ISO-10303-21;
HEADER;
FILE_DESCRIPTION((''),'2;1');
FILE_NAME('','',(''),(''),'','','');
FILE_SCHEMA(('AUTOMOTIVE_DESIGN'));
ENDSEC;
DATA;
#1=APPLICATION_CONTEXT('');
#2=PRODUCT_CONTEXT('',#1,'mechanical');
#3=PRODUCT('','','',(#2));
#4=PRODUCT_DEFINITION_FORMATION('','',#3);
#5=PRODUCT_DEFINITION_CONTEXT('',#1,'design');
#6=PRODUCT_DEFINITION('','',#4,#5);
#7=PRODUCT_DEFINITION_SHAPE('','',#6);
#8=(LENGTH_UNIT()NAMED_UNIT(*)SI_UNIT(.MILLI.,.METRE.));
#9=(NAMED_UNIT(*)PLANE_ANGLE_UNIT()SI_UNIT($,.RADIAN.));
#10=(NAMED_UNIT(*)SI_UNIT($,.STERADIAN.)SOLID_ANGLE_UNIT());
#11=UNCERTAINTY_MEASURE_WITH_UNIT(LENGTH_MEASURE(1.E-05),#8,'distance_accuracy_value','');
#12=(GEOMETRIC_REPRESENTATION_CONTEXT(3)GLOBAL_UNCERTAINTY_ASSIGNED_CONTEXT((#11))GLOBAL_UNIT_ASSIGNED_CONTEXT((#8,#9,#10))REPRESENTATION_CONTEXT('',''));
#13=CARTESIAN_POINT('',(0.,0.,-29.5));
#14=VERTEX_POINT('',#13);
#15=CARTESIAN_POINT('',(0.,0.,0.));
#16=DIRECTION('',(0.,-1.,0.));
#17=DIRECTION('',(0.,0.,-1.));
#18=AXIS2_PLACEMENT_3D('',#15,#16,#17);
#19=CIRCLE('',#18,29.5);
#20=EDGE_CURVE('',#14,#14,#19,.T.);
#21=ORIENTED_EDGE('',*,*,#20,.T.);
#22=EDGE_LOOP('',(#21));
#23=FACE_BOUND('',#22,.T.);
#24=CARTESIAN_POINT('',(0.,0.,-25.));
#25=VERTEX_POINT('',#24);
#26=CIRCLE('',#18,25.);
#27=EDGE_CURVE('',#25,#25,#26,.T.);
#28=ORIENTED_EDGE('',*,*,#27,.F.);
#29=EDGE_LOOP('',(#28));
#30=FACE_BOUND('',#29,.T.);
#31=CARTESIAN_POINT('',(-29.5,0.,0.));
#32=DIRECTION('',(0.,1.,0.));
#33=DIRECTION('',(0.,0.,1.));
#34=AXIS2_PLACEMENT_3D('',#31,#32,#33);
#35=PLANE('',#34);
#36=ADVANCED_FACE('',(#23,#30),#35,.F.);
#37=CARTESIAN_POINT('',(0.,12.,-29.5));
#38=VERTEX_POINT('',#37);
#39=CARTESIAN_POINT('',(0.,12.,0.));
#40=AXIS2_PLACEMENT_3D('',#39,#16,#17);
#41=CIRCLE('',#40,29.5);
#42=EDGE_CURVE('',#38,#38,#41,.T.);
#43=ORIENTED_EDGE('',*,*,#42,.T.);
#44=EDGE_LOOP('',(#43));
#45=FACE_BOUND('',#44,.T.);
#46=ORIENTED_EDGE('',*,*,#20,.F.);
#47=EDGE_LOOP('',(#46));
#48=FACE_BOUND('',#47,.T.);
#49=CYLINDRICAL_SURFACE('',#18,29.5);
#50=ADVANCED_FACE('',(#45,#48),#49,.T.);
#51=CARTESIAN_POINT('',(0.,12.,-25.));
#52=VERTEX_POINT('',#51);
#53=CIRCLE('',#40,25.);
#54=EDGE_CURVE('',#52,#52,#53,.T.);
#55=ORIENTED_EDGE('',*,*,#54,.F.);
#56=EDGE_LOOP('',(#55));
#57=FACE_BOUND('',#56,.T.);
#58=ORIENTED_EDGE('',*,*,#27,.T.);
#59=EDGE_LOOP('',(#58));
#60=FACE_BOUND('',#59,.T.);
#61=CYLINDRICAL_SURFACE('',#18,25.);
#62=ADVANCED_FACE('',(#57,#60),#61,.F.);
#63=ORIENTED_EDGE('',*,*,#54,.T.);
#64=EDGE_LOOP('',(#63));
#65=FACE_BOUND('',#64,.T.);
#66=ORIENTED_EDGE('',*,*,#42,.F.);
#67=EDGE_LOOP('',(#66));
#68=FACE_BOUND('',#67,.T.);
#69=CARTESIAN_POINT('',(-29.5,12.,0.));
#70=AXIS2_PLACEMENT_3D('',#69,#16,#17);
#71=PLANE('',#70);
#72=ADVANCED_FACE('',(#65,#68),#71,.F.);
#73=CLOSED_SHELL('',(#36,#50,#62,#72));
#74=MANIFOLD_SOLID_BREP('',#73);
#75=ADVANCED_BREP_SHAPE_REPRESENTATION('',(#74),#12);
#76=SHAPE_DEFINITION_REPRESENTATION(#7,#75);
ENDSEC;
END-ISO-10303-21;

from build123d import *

# Parameters (mm, degrees)
SKETCH_1_W = 4.5
SKETCH_1_H = 12


with BuildPart() as part:
    # Эскиз1 → Повернуть1 (revolve)
    with BuildSketch(Plane.XY, mode=Mode.PRIVATE) as revolve_1_sk:
        with Locations((-27.25, 6)):
            Rectangle(SKETCH_1_W, SKETCH_1_H)
    revolve(revolve_1_sk.sketch.rotate(Axis((0, 0, 0), (0, 1, 0)), 270), axis=Axis((0, 0, 0), (0, 1, 0)))


solid = part.part
